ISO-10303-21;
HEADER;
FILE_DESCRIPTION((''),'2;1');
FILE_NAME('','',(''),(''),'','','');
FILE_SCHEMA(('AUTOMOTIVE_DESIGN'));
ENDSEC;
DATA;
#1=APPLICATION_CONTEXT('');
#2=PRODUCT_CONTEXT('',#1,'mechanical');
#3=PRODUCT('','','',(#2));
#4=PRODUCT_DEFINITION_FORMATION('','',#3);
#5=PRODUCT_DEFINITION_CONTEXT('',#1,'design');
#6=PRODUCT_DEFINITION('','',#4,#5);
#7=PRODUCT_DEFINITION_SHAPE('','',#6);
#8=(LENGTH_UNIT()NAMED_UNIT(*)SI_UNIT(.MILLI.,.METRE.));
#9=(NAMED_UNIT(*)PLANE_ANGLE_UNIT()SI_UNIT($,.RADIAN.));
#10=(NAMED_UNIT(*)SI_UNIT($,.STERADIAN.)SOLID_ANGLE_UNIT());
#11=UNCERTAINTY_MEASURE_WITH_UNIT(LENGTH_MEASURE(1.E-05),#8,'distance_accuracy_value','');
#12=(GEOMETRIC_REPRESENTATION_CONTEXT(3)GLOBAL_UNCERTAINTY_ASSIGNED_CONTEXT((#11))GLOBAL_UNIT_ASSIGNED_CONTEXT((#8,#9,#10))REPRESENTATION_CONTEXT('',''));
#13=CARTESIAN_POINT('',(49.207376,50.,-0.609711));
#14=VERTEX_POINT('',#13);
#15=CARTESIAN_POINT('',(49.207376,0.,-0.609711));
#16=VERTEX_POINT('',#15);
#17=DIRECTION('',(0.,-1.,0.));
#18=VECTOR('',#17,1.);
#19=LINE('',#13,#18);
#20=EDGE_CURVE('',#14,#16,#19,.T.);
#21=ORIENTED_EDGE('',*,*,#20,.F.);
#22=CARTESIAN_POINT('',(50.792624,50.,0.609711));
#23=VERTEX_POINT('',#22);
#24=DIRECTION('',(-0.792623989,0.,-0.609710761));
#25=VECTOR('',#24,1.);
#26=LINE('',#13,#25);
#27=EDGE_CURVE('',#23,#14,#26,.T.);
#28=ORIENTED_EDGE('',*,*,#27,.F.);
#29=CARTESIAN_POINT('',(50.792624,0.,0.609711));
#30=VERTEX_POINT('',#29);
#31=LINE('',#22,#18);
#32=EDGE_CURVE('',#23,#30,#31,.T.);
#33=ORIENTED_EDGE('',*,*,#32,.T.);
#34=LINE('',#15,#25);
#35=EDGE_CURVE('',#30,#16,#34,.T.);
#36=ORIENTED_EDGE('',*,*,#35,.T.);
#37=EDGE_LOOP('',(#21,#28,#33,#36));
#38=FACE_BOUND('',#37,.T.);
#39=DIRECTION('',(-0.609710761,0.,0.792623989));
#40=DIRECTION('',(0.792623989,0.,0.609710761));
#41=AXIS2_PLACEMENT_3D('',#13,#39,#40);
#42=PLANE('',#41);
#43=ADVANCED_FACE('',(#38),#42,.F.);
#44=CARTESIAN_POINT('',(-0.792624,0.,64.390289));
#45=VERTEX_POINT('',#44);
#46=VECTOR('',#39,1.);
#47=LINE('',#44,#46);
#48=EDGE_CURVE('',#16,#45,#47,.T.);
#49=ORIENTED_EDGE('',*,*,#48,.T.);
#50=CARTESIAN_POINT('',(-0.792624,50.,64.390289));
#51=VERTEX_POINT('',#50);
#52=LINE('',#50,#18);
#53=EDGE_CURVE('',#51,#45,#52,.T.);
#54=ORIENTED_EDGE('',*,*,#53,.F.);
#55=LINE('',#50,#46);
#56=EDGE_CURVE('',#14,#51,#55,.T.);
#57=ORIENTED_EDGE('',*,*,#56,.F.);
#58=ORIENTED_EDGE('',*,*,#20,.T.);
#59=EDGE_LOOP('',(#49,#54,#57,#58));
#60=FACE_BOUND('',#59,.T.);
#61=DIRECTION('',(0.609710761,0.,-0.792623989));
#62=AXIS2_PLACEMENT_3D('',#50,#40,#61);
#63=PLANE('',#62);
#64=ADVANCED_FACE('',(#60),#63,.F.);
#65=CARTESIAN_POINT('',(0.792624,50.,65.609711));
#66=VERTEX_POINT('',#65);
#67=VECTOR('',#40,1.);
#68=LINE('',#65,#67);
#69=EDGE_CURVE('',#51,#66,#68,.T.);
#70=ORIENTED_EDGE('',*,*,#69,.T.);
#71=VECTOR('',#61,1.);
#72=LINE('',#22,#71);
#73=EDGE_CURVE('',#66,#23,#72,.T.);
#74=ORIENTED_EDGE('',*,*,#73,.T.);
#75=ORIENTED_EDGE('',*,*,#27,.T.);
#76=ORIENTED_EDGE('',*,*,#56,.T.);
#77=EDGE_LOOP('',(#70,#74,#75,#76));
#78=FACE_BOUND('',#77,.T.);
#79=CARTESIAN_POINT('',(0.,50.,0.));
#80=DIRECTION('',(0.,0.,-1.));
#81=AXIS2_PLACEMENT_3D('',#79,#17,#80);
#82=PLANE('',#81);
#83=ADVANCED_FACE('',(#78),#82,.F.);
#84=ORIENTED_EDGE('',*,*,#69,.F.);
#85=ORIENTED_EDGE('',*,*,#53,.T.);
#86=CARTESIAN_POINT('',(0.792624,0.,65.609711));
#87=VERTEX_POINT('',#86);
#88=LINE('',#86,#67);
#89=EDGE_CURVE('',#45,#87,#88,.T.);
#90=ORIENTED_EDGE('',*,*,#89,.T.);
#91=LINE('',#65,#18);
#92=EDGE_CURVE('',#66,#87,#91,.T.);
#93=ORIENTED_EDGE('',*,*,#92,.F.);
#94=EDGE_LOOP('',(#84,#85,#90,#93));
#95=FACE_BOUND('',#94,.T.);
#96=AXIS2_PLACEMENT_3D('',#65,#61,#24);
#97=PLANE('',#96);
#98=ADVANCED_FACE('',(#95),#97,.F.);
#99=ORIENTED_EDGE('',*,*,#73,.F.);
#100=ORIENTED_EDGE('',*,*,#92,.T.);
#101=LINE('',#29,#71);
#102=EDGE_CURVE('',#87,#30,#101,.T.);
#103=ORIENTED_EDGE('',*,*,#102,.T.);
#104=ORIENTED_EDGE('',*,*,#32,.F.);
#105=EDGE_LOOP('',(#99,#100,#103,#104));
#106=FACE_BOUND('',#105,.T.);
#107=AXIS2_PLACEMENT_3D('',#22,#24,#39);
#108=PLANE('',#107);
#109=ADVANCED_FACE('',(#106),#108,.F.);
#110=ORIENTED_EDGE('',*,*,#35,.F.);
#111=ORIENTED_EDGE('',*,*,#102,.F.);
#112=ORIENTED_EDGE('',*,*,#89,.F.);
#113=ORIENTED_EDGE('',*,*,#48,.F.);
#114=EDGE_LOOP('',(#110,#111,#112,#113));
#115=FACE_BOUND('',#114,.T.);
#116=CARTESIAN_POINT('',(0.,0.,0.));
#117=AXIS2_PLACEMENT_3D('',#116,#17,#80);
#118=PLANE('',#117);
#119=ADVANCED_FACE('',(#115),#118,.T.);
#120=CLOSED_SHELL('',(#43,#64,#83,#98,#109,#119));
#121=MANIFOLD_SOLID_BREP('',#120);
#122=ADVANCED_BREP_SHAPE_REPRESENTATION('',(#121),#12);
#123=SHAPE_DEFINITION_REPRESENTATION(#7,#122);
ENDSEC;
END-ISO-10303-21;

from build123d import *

# Parameters (mm, degrees)
BOSS_EXTRUDE1_DEPTH = 50


with BuildPart() as part:
    # Sketch1 → Boss-Extrude1 (new body)
    with BuildSketch(Plane(origin=(0, 0, 0), x_dir=(1, 0, 0), z_dir=(0, 1, 0))):
        Polygon((-0.792623989, -64.390289239), (49.207376011, 0.609710761), (50.792623989, -0.609710761), (0.792623989, -65.609710761), align=None)
    extrude(amount=BOSS_EXTRUDE1_DEPTH)


solid = part.part
